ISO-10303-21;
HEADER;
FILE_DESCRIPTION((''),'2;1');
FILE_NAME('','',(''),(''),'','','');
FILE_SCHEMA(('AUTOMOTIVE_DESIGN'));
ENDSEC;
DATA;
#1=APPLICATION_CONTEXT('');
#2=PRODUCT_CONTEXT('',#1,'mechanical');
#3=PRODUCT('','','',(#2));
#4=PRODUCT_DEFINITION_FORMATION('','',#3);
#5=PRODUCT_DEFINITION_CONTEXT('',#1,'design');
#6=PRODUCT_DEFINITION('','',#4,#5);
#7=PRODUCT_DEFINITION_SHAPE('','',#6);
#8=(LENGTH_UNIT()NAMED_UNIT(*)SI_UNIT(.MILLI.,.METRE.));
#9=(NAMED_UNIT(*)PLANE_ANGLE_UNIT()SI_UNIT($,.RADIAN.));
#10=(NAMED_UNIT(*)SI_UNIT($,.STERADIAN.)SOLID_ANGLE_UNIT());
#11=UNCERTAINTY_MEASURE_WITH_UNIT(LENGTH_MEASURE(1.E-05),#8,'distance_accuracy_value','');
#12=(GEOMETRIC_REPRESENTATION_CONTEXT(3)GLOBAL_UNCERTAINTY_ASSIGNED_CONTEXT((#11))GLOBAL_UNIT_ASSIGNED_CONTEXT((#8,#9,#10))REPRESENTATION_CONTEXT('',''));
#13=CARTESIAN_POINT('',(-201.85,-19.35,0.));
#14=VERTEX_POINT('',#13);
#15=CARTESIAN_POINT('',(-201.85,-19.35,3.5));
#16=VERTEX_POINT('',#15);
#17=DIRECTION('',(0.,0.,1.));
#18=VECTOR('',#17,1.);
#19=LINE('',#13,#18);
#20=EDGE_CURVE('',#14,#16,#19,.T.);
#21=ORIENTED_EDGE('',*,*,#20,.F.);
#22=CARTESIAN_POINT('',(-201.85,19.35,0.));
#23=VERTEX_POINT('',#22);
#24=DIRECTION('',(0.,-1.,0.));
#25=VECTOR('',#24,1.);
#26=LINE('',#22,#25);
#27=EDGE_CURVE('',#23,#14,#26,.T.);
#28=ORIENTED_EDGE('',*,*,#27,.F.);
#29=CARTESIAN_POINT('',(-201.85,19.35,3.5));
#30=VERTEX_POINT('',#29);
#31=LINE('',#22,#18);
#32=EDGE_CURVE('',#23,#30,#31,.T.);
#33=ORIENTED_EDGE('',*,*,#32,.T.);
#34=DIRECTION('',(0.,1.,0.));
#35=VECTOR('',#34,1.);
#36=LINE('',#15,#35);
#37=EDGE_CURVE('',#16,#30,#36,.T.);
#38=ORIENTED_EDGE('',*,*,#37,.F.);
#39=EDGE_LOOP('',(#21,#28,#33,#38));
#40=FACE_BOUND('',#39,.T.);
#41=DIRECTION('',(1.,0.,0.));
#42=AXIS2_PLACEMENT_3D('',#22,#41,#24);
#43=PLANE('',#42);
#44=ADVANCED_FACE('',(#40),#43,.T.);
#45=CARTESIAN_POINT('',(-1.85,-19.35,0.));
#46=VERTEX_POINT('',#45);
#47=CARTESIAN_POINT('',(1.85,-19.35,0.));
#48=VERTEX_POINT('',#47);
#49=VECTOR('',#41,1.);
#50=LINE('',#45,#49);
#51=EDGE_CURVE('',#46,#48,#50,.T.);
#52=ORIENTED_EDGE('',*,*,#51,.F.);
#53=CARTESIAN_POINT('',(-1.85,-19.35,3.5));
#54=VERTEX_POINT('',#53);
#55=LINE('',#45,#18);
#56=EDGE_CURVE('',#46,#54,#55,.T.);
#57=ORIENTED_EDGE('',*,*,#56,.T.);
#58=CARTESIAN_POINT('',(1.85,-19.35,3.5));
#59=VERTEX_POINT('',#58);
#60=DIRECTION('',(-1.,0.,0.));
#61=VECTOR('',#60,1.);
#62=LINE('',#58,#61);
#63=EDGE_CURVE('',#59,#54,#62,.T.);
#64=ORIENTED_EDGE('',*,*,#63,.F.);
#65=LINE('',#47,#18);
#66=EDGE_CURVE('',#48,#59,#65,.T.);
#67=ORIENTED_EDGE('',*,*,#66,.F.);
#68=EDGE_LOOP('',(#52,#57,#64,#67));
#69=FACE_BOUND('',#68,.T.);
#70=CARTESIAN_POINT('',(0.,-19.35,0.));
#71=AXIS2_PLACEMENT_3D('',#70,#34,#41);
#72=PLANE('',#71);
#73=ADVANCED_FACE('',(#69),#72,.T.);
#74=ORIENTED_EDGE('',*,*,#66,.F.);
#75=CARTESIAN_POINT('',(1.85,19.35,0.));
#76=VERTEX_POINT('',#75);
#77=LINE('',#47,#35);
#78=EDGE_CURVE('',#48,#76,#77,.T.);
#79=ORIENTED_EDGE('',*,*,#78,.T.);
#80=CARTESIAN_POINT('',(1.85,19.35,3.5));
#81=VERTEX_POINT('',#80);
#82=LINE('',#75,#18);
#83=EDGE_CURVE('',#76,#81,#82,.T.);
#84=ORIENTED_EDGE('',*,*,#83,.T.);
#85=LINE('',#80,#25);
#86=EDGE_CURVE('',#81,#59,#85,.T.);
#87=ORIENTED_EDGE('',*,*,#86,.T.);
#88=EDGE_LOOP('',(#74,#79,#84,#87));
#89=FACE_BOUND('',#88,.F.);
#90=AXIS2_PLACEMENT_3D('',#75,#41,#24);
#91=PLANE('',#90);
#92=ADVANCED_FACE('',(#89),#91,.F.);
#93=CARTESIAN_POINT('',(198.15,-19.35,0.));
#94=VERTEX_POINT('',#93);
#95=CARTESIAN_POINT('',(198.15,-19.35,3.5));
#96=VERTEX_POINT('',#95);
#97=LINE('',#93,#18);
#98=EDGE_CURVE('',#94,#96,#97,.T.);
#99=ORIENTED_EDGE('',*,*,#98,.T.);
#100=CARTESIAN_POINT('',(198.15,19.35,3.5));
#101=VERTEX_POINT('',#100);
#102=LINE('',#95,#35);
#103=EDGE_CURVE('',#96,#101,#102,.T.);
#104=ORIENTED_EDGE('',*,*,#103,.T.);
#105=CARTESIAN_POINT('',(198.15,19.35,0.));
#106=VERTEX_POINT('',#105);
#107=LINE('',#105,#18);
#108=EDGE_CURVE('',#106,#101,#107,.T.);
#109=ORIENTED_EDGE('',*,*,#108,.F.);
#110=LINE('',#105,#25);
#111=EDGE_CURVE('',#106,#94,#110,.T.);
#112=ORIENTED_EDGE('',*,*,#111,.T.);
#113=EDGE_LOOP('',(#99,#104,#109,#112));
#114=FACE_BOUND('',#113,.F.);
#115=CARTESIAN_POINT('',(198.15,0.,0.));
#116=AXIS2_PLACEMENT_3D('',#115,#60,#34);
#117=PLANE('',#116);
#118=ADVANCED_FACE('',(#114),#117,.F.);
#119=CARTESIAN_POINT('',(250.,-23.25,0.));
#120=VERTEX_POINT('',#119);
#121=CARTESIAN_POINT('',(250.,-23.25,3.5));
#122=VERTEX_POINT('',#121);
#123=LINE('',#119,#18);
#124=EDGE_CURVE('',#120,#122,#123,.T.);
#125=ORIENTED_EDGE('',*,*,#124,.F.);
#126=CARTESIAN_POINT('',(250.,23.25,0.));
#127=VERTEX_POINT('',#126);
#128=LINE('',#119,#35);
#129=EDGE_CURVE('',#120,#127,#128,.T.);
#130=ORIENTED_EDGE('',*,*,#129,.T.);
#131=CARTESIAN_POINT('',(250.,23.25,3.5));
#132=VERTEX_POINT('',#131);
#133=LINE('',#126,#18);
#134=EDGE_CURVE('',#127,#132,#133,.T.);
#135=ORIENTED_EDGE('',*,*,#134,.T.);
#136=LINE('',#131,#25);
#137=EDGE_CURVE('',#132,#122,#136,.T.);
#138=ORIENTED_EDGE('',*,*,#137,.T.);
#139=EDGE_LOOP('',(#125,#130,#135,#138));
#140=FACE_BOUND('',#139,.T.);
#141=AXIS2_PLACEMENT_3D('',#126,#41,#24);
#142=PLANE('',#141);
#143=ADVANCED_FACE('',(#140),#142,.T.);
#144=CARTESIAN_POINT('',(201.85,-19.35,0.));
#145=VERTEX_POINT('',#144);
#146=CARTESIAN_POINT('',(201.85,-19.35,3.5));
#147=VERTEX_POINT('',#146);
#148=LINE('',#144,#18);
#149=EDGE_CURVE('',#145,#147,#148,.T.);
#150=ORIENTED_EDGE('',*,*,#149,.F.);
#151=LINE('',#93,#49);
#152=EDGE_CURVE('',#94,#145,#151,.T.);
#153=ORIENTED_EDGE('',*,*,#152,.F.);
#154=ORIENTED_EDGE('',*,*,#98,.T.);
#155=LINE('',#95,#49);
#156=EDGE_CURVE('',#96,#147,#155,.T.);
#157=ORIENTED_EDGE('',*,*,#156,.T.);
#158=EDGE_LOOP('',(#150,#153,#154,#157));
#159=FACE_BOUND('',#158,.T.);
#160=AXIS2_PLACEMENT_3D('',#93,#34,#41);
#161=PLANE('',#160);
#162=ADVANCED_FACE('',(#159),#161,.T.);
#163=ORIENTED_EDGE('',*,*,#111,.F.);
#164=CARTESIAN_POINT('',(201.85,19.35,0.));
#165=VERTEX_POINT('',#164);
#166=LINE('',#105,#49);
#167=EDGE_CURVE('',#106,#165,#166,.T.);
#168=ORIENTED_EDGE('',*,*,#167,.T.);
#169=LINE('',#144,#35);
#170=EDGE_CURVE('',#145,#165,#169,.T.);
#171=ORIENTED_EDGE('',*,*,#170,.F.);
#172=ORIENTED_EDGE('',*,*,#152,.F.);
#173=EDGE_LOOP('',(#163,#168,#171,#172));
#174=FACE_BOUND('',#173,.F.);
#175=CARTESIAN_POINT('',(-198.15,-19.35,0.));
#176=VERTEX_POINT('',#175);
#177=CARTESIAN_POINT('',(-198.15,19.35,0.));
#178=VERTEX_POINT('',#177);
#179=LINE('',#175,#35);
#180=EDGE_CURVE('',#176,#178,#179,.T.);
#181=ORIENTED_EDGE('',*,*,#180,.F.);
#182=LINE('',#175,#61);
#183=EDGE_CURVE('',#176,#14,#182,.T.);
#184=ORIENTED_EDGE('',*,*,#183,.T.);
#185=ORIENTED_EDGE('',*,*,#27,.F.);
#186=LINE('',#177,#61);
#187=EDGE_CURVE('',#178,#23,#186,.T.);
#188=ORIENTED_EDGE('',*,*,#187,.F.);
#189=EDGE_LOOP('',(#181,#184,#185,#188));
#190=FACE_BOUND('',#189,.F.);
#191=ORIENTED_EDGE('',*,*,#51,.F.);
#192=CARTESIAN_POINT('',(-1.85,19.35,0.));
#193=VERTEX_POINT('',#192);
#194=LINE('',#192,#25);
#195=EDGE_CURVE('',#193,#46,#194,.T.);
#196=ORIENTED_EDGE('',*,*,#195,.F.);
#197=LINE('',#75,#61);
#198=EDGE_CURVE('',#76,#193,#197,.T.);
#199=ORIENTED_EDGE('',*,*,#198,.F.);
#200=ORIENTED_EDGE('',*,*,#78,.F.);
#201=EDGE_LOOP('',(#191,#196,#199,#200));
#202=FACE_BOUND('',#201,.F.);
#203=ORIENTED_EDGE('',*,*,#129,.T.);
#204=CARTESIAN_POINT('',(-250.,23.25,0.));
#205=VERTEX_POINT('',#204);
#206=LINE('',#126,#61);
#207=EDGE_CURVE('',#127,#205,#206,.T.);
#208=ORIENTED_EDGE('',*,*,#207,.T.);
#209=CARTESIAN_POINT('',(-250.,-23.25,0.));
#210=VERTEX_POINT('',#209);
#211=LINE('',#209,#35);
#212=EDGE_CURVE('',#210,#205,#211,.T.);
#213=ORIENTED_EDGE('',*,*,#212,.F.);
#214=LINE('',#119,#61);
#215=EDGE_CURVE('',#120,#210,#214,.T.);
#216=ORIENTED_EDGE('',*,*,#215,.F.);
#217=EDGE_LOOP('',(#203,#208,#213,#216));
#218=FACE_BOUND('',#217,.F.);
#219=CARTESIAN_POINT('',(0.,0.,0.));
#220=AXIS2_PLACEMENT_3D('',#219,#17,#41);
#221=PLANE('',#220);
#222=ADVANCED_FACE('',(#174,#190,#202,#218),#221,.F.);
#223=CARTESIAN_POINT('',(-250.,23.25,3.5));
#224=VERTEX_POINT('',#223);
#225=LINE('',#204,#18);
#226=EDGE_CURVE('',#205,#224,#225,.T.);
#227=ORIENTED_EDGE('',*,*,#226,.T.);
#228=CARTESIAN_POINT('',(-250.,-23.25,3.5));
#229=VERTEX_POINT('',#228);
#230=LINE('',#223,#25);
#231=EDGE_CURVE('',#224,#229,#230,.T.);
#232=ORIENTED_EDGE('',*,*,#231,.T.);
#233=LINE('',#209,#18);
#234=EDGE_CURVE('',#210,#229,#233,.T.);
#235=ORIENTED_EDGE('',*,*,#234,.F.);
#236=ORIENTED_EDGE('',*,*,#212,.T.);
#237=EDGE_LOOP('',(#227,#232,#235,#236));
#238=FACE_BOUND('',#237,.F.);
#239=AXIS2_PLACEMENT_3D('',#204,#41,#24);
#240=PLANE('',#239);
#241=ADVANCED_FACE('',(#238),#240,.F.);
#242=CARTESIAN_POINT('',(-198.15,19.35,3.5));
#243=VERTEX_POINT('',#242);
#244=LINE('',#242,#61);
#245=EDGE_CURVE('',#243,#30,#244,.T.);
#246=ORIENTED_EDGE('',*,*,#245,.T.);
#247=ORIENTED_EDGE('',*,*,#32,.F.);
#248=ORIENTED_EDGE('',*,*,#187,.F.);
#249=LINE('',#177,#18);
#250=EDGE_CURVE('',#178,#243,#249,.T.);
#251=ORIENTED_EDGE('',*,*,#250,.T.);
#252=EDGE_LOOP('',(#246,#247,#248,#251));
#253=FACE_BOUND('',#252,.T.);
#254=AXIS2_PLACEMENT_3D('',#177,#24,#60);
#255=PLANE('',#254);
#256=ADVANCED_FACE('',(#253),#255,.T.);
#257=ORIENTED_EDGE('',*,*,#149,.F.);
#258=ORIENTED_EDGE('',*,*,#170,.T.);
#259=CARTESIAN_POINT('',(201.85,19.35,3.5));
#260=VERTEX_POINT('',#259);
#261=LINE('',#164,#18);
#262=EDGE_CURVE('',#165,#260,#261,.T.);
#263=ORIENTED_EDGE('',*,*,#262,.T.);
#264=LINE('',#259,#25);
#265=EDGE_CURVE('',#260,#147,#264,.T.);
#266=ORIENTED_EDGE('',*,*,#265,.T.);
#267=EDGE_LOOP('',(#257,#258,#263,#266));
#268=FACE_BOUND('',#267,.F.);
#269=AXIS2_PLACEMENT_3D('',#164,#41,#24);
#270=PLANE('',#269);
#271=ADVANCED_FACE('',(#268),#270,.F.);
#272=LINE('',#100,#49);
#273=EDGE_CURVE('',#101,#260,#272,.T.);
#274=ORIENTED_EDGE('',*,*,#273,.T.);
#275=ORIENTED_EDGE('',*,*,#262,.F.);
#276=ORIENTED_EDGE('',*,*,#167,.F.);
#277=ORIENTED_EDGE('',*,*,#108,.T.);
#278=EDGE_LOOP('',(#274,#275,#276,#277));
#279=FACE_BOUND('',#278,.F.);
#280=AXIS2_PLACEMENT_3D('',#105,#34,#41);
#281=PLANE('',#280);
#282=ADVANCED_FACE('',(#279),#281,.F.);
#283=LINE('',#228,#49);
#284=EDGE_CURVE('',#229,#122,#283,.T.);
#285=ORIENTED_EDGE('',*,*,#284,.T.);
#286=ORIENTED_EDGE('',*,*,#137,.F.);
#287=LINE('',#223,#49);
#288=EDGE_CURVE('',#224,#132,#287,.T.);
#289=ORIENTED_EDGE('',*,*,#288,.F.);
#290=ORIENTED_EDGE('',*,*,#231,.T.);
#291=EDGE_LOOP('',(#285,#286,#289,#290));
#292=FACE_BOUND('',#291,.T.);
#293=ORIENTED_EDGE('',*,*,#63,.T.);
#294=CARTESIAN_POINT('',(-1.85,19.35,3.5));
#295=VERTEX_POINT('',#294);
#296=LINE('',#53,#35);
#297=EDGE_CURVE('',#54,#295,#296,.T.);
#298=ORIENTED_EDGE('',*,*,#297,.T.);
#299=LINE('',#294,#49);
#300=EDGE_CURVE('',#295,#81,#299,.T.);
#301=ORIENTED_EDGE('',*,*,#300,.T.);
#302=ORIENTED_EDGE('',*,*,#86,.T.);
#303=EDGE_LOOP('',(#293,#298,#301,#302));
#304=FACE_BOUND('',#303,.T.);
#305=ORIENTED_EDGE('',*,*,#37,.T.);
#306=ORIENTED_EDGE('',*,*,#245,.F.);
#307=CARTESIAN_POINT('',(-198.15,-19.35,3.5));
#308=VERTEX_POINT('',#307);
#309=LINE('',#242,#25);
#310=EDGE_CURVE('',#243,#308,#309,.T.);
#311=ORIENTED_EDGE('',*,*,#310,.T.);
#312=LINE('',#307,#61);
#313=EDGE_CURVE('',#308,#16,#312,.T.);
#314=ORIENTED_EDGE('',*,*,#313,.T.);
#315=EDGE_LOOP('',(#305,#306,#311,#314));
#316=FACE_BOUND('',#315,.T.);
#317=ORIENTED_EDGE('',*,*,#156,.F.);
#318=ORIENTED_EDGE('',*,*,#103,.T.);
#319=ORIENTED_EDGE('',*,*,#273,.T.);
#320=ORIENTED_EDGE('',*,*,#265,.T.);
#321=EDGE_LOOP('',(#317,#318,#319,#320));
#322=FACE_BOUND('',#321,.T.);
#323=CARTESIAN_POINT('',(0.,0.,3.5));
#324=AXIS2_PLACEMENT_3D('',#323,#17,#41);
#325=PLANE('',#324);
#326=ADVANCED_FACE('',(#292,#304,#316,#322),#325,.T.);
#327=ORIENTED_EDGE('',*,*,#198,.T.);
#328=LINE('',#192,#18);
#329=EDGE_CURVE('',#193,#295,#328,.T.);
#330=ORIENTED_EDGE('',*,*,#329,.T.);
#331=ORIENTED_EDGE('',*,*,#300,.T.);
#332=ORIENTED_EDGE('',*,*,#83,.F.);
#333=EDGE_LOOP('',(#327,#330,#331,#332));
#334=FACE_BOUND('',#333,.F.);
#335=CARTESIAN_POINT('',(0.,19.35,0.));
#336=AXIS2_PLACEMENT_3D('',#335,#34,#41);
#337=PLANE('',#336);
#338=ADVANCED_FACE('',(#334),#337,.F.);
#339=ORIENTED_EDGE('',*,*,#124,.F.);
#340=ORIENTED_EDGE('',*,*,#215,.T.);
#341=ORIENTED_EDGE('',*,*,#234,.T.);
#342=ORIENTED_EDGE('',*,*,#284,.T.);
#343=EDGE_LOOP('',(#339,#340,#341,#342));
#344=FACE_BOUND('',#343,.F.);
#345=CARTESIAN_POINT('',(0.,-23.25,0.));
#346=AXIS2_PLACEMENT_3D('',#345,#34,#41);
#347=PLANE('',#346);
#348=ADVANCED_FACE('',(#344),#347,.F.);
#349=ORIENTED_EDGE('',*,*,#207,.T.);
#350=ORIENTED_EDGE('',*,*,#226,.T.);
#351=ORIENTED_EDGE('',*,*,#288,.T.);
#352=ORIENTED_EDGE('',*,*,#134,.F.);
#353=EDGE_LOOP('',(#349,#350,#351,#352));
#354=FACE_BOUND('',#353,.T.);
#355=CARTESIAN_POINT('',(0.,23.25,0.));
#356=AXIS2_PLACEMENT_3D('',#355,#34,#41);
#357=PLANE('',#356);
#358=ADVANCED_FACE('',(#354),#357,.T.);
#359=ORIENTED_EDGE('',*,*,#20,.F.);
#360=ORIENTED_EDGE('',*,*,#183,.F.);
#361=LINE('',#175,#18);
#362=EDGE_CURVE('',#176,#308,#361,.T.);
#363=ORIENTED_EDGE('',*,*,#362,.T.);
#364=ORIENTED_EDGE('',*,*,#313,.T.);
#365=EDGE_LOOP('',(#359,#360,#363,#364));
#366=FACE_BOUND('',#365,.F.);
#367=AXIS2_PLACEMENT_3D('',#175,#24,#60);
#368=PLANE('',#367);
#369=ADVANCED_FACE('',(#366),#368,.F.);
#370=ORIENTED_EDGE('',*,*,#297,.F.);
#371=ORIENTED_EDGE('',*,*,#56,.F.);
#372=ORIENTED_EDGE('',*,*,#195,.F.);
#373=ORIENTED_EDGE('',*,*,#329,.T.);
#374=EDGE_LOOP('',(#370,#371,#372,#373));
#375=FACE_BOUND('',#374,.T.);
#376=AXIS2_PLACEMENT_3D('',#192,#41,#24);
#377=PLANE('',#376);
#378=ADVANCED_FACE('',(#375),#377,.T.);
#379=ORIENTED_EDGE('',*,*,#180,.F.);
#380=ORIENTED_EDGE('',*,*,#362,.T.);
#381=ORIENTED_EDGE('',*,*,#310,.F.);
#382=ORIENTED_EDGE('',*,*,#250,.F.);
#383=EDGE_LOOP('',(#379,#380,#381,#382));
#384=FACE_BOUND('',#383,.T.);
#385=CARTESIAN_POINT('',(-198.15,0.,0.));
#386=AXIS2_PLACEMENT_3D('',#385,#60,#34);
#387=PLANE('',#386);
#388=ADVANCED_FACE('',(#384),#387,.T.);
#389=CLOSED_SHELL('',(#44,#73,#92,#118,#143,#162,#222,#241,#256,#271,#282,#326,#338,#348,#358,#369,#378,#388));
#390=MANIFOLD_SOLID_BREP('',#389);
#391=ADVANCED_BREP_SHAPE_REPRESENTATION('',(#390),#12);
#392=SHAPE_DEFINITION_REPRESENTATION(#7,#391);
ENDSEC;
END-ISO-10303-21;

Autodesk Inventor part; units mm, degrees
ref_plane "YZ Plane" through (0, 0, 0) normal (1, 0, 0) x (0, 1, 0)
ref_plane "XZ Plane" through (0, 0, 0) normal (0, 1, 0) x (-1, 0, 0)
ref_plane "XY Plane" through (0, 0, 0) normal (0, 0, 1) x (1, 0, 0)
sketch "스케치1" plane through (0, 0, 0) normal (0, 0, 1) x (1, 0, 0)
  line L0 (0, 23.25) -> (250, 23.25)
  line L1 (250, 23.25) -> (250, 0)
  line L2 (0, -42.1597) -> (0, 34.1516) projected
  line L3 (-350, 0) -> (350, 0) projected
  line L4 (0, 19.35) -> (1.85, 19.35)
  line L5 (1.85, 19.35) -> (1.85, 0)
  line L6 (198.15, 0) -> (198.15, 19.35)
  line L7 (198.15, 19.35) -> (201.85, 19.35)
  line L8 (201.85, 19.35) -> (201.85, 0)
  line L9 (0, 23.25) -> (-250, 23.25)
  line L10 (-250, 23.25) -> (-250, 0)
  line L11 (0, 19.35) -> (-1.85, 19.35)
  line L12 (-1.85, 19.35) -> (-1.85, 0)
  line L13 (-198.15, 0) -> (-198.15, 19.35)
  line L14 (-198.15, 19.35) -> (-201.85, 19.35)
  line L15 (-201.85, 19.35) -> (-201.85, 0)
  line L16 (0, -23.25) -> (250, -23.25)
  line L17 (250, -23.25) -> (250, 0)
  line L18 (0, 5.2097) -> (0, -31.2581)
  line L19 (0, -19.35) -> (1.85, -19.35)
  line L20 (1.85, -19.35) -> (1.85, 0)
  line L21 (198.15, 0) -> (198.15, -19.35)
  line L22 (198.15, -19.35) -> (201.85, -19.35)
  line L23 (201.85, -19.35) -> (201.85, 0)
  line L24 (0, -23.25) -> (-250, -23.25)
  line L25 (-250, -23.25) -> (-250, 0)
  line L26 (0, -19.35) -> (-1.85, -19.35)
  line L27 (-1.85, -19.35) -> (-1.85, 0)
  line L28 (-198.15, 0) -> (-198.15, -19.35)
  line L29 (-198.15, -19.35) -> (-201.85, -19.35)
  line L30 (-201.85, -19.35) -> (-201.85, 0)
  point P0 (0, 0)
  dimension "d0" = 250
  dimension "d1" = 23.25
  dimension "d2" = 1.85
  dimension "d3" = 3.7
  dimension "d4" = 19.35
  dimension "d5" = 19.35
  dimension "d6" = 48.15
extrude "돌출1" add sketch "스케치1" along normal blind 3.5 contours L0 L1 L3 L8 L7 L6 L5 L4 L2 | L2 L11 L12 L3 L13 L14 L15 L10 L9 | L17 L16 L2 L19 L20 L3 L21 L22 L23 | L3 L30 L29 L28 L27 L26 L2 L24 L25
properties part number "side_wall"
